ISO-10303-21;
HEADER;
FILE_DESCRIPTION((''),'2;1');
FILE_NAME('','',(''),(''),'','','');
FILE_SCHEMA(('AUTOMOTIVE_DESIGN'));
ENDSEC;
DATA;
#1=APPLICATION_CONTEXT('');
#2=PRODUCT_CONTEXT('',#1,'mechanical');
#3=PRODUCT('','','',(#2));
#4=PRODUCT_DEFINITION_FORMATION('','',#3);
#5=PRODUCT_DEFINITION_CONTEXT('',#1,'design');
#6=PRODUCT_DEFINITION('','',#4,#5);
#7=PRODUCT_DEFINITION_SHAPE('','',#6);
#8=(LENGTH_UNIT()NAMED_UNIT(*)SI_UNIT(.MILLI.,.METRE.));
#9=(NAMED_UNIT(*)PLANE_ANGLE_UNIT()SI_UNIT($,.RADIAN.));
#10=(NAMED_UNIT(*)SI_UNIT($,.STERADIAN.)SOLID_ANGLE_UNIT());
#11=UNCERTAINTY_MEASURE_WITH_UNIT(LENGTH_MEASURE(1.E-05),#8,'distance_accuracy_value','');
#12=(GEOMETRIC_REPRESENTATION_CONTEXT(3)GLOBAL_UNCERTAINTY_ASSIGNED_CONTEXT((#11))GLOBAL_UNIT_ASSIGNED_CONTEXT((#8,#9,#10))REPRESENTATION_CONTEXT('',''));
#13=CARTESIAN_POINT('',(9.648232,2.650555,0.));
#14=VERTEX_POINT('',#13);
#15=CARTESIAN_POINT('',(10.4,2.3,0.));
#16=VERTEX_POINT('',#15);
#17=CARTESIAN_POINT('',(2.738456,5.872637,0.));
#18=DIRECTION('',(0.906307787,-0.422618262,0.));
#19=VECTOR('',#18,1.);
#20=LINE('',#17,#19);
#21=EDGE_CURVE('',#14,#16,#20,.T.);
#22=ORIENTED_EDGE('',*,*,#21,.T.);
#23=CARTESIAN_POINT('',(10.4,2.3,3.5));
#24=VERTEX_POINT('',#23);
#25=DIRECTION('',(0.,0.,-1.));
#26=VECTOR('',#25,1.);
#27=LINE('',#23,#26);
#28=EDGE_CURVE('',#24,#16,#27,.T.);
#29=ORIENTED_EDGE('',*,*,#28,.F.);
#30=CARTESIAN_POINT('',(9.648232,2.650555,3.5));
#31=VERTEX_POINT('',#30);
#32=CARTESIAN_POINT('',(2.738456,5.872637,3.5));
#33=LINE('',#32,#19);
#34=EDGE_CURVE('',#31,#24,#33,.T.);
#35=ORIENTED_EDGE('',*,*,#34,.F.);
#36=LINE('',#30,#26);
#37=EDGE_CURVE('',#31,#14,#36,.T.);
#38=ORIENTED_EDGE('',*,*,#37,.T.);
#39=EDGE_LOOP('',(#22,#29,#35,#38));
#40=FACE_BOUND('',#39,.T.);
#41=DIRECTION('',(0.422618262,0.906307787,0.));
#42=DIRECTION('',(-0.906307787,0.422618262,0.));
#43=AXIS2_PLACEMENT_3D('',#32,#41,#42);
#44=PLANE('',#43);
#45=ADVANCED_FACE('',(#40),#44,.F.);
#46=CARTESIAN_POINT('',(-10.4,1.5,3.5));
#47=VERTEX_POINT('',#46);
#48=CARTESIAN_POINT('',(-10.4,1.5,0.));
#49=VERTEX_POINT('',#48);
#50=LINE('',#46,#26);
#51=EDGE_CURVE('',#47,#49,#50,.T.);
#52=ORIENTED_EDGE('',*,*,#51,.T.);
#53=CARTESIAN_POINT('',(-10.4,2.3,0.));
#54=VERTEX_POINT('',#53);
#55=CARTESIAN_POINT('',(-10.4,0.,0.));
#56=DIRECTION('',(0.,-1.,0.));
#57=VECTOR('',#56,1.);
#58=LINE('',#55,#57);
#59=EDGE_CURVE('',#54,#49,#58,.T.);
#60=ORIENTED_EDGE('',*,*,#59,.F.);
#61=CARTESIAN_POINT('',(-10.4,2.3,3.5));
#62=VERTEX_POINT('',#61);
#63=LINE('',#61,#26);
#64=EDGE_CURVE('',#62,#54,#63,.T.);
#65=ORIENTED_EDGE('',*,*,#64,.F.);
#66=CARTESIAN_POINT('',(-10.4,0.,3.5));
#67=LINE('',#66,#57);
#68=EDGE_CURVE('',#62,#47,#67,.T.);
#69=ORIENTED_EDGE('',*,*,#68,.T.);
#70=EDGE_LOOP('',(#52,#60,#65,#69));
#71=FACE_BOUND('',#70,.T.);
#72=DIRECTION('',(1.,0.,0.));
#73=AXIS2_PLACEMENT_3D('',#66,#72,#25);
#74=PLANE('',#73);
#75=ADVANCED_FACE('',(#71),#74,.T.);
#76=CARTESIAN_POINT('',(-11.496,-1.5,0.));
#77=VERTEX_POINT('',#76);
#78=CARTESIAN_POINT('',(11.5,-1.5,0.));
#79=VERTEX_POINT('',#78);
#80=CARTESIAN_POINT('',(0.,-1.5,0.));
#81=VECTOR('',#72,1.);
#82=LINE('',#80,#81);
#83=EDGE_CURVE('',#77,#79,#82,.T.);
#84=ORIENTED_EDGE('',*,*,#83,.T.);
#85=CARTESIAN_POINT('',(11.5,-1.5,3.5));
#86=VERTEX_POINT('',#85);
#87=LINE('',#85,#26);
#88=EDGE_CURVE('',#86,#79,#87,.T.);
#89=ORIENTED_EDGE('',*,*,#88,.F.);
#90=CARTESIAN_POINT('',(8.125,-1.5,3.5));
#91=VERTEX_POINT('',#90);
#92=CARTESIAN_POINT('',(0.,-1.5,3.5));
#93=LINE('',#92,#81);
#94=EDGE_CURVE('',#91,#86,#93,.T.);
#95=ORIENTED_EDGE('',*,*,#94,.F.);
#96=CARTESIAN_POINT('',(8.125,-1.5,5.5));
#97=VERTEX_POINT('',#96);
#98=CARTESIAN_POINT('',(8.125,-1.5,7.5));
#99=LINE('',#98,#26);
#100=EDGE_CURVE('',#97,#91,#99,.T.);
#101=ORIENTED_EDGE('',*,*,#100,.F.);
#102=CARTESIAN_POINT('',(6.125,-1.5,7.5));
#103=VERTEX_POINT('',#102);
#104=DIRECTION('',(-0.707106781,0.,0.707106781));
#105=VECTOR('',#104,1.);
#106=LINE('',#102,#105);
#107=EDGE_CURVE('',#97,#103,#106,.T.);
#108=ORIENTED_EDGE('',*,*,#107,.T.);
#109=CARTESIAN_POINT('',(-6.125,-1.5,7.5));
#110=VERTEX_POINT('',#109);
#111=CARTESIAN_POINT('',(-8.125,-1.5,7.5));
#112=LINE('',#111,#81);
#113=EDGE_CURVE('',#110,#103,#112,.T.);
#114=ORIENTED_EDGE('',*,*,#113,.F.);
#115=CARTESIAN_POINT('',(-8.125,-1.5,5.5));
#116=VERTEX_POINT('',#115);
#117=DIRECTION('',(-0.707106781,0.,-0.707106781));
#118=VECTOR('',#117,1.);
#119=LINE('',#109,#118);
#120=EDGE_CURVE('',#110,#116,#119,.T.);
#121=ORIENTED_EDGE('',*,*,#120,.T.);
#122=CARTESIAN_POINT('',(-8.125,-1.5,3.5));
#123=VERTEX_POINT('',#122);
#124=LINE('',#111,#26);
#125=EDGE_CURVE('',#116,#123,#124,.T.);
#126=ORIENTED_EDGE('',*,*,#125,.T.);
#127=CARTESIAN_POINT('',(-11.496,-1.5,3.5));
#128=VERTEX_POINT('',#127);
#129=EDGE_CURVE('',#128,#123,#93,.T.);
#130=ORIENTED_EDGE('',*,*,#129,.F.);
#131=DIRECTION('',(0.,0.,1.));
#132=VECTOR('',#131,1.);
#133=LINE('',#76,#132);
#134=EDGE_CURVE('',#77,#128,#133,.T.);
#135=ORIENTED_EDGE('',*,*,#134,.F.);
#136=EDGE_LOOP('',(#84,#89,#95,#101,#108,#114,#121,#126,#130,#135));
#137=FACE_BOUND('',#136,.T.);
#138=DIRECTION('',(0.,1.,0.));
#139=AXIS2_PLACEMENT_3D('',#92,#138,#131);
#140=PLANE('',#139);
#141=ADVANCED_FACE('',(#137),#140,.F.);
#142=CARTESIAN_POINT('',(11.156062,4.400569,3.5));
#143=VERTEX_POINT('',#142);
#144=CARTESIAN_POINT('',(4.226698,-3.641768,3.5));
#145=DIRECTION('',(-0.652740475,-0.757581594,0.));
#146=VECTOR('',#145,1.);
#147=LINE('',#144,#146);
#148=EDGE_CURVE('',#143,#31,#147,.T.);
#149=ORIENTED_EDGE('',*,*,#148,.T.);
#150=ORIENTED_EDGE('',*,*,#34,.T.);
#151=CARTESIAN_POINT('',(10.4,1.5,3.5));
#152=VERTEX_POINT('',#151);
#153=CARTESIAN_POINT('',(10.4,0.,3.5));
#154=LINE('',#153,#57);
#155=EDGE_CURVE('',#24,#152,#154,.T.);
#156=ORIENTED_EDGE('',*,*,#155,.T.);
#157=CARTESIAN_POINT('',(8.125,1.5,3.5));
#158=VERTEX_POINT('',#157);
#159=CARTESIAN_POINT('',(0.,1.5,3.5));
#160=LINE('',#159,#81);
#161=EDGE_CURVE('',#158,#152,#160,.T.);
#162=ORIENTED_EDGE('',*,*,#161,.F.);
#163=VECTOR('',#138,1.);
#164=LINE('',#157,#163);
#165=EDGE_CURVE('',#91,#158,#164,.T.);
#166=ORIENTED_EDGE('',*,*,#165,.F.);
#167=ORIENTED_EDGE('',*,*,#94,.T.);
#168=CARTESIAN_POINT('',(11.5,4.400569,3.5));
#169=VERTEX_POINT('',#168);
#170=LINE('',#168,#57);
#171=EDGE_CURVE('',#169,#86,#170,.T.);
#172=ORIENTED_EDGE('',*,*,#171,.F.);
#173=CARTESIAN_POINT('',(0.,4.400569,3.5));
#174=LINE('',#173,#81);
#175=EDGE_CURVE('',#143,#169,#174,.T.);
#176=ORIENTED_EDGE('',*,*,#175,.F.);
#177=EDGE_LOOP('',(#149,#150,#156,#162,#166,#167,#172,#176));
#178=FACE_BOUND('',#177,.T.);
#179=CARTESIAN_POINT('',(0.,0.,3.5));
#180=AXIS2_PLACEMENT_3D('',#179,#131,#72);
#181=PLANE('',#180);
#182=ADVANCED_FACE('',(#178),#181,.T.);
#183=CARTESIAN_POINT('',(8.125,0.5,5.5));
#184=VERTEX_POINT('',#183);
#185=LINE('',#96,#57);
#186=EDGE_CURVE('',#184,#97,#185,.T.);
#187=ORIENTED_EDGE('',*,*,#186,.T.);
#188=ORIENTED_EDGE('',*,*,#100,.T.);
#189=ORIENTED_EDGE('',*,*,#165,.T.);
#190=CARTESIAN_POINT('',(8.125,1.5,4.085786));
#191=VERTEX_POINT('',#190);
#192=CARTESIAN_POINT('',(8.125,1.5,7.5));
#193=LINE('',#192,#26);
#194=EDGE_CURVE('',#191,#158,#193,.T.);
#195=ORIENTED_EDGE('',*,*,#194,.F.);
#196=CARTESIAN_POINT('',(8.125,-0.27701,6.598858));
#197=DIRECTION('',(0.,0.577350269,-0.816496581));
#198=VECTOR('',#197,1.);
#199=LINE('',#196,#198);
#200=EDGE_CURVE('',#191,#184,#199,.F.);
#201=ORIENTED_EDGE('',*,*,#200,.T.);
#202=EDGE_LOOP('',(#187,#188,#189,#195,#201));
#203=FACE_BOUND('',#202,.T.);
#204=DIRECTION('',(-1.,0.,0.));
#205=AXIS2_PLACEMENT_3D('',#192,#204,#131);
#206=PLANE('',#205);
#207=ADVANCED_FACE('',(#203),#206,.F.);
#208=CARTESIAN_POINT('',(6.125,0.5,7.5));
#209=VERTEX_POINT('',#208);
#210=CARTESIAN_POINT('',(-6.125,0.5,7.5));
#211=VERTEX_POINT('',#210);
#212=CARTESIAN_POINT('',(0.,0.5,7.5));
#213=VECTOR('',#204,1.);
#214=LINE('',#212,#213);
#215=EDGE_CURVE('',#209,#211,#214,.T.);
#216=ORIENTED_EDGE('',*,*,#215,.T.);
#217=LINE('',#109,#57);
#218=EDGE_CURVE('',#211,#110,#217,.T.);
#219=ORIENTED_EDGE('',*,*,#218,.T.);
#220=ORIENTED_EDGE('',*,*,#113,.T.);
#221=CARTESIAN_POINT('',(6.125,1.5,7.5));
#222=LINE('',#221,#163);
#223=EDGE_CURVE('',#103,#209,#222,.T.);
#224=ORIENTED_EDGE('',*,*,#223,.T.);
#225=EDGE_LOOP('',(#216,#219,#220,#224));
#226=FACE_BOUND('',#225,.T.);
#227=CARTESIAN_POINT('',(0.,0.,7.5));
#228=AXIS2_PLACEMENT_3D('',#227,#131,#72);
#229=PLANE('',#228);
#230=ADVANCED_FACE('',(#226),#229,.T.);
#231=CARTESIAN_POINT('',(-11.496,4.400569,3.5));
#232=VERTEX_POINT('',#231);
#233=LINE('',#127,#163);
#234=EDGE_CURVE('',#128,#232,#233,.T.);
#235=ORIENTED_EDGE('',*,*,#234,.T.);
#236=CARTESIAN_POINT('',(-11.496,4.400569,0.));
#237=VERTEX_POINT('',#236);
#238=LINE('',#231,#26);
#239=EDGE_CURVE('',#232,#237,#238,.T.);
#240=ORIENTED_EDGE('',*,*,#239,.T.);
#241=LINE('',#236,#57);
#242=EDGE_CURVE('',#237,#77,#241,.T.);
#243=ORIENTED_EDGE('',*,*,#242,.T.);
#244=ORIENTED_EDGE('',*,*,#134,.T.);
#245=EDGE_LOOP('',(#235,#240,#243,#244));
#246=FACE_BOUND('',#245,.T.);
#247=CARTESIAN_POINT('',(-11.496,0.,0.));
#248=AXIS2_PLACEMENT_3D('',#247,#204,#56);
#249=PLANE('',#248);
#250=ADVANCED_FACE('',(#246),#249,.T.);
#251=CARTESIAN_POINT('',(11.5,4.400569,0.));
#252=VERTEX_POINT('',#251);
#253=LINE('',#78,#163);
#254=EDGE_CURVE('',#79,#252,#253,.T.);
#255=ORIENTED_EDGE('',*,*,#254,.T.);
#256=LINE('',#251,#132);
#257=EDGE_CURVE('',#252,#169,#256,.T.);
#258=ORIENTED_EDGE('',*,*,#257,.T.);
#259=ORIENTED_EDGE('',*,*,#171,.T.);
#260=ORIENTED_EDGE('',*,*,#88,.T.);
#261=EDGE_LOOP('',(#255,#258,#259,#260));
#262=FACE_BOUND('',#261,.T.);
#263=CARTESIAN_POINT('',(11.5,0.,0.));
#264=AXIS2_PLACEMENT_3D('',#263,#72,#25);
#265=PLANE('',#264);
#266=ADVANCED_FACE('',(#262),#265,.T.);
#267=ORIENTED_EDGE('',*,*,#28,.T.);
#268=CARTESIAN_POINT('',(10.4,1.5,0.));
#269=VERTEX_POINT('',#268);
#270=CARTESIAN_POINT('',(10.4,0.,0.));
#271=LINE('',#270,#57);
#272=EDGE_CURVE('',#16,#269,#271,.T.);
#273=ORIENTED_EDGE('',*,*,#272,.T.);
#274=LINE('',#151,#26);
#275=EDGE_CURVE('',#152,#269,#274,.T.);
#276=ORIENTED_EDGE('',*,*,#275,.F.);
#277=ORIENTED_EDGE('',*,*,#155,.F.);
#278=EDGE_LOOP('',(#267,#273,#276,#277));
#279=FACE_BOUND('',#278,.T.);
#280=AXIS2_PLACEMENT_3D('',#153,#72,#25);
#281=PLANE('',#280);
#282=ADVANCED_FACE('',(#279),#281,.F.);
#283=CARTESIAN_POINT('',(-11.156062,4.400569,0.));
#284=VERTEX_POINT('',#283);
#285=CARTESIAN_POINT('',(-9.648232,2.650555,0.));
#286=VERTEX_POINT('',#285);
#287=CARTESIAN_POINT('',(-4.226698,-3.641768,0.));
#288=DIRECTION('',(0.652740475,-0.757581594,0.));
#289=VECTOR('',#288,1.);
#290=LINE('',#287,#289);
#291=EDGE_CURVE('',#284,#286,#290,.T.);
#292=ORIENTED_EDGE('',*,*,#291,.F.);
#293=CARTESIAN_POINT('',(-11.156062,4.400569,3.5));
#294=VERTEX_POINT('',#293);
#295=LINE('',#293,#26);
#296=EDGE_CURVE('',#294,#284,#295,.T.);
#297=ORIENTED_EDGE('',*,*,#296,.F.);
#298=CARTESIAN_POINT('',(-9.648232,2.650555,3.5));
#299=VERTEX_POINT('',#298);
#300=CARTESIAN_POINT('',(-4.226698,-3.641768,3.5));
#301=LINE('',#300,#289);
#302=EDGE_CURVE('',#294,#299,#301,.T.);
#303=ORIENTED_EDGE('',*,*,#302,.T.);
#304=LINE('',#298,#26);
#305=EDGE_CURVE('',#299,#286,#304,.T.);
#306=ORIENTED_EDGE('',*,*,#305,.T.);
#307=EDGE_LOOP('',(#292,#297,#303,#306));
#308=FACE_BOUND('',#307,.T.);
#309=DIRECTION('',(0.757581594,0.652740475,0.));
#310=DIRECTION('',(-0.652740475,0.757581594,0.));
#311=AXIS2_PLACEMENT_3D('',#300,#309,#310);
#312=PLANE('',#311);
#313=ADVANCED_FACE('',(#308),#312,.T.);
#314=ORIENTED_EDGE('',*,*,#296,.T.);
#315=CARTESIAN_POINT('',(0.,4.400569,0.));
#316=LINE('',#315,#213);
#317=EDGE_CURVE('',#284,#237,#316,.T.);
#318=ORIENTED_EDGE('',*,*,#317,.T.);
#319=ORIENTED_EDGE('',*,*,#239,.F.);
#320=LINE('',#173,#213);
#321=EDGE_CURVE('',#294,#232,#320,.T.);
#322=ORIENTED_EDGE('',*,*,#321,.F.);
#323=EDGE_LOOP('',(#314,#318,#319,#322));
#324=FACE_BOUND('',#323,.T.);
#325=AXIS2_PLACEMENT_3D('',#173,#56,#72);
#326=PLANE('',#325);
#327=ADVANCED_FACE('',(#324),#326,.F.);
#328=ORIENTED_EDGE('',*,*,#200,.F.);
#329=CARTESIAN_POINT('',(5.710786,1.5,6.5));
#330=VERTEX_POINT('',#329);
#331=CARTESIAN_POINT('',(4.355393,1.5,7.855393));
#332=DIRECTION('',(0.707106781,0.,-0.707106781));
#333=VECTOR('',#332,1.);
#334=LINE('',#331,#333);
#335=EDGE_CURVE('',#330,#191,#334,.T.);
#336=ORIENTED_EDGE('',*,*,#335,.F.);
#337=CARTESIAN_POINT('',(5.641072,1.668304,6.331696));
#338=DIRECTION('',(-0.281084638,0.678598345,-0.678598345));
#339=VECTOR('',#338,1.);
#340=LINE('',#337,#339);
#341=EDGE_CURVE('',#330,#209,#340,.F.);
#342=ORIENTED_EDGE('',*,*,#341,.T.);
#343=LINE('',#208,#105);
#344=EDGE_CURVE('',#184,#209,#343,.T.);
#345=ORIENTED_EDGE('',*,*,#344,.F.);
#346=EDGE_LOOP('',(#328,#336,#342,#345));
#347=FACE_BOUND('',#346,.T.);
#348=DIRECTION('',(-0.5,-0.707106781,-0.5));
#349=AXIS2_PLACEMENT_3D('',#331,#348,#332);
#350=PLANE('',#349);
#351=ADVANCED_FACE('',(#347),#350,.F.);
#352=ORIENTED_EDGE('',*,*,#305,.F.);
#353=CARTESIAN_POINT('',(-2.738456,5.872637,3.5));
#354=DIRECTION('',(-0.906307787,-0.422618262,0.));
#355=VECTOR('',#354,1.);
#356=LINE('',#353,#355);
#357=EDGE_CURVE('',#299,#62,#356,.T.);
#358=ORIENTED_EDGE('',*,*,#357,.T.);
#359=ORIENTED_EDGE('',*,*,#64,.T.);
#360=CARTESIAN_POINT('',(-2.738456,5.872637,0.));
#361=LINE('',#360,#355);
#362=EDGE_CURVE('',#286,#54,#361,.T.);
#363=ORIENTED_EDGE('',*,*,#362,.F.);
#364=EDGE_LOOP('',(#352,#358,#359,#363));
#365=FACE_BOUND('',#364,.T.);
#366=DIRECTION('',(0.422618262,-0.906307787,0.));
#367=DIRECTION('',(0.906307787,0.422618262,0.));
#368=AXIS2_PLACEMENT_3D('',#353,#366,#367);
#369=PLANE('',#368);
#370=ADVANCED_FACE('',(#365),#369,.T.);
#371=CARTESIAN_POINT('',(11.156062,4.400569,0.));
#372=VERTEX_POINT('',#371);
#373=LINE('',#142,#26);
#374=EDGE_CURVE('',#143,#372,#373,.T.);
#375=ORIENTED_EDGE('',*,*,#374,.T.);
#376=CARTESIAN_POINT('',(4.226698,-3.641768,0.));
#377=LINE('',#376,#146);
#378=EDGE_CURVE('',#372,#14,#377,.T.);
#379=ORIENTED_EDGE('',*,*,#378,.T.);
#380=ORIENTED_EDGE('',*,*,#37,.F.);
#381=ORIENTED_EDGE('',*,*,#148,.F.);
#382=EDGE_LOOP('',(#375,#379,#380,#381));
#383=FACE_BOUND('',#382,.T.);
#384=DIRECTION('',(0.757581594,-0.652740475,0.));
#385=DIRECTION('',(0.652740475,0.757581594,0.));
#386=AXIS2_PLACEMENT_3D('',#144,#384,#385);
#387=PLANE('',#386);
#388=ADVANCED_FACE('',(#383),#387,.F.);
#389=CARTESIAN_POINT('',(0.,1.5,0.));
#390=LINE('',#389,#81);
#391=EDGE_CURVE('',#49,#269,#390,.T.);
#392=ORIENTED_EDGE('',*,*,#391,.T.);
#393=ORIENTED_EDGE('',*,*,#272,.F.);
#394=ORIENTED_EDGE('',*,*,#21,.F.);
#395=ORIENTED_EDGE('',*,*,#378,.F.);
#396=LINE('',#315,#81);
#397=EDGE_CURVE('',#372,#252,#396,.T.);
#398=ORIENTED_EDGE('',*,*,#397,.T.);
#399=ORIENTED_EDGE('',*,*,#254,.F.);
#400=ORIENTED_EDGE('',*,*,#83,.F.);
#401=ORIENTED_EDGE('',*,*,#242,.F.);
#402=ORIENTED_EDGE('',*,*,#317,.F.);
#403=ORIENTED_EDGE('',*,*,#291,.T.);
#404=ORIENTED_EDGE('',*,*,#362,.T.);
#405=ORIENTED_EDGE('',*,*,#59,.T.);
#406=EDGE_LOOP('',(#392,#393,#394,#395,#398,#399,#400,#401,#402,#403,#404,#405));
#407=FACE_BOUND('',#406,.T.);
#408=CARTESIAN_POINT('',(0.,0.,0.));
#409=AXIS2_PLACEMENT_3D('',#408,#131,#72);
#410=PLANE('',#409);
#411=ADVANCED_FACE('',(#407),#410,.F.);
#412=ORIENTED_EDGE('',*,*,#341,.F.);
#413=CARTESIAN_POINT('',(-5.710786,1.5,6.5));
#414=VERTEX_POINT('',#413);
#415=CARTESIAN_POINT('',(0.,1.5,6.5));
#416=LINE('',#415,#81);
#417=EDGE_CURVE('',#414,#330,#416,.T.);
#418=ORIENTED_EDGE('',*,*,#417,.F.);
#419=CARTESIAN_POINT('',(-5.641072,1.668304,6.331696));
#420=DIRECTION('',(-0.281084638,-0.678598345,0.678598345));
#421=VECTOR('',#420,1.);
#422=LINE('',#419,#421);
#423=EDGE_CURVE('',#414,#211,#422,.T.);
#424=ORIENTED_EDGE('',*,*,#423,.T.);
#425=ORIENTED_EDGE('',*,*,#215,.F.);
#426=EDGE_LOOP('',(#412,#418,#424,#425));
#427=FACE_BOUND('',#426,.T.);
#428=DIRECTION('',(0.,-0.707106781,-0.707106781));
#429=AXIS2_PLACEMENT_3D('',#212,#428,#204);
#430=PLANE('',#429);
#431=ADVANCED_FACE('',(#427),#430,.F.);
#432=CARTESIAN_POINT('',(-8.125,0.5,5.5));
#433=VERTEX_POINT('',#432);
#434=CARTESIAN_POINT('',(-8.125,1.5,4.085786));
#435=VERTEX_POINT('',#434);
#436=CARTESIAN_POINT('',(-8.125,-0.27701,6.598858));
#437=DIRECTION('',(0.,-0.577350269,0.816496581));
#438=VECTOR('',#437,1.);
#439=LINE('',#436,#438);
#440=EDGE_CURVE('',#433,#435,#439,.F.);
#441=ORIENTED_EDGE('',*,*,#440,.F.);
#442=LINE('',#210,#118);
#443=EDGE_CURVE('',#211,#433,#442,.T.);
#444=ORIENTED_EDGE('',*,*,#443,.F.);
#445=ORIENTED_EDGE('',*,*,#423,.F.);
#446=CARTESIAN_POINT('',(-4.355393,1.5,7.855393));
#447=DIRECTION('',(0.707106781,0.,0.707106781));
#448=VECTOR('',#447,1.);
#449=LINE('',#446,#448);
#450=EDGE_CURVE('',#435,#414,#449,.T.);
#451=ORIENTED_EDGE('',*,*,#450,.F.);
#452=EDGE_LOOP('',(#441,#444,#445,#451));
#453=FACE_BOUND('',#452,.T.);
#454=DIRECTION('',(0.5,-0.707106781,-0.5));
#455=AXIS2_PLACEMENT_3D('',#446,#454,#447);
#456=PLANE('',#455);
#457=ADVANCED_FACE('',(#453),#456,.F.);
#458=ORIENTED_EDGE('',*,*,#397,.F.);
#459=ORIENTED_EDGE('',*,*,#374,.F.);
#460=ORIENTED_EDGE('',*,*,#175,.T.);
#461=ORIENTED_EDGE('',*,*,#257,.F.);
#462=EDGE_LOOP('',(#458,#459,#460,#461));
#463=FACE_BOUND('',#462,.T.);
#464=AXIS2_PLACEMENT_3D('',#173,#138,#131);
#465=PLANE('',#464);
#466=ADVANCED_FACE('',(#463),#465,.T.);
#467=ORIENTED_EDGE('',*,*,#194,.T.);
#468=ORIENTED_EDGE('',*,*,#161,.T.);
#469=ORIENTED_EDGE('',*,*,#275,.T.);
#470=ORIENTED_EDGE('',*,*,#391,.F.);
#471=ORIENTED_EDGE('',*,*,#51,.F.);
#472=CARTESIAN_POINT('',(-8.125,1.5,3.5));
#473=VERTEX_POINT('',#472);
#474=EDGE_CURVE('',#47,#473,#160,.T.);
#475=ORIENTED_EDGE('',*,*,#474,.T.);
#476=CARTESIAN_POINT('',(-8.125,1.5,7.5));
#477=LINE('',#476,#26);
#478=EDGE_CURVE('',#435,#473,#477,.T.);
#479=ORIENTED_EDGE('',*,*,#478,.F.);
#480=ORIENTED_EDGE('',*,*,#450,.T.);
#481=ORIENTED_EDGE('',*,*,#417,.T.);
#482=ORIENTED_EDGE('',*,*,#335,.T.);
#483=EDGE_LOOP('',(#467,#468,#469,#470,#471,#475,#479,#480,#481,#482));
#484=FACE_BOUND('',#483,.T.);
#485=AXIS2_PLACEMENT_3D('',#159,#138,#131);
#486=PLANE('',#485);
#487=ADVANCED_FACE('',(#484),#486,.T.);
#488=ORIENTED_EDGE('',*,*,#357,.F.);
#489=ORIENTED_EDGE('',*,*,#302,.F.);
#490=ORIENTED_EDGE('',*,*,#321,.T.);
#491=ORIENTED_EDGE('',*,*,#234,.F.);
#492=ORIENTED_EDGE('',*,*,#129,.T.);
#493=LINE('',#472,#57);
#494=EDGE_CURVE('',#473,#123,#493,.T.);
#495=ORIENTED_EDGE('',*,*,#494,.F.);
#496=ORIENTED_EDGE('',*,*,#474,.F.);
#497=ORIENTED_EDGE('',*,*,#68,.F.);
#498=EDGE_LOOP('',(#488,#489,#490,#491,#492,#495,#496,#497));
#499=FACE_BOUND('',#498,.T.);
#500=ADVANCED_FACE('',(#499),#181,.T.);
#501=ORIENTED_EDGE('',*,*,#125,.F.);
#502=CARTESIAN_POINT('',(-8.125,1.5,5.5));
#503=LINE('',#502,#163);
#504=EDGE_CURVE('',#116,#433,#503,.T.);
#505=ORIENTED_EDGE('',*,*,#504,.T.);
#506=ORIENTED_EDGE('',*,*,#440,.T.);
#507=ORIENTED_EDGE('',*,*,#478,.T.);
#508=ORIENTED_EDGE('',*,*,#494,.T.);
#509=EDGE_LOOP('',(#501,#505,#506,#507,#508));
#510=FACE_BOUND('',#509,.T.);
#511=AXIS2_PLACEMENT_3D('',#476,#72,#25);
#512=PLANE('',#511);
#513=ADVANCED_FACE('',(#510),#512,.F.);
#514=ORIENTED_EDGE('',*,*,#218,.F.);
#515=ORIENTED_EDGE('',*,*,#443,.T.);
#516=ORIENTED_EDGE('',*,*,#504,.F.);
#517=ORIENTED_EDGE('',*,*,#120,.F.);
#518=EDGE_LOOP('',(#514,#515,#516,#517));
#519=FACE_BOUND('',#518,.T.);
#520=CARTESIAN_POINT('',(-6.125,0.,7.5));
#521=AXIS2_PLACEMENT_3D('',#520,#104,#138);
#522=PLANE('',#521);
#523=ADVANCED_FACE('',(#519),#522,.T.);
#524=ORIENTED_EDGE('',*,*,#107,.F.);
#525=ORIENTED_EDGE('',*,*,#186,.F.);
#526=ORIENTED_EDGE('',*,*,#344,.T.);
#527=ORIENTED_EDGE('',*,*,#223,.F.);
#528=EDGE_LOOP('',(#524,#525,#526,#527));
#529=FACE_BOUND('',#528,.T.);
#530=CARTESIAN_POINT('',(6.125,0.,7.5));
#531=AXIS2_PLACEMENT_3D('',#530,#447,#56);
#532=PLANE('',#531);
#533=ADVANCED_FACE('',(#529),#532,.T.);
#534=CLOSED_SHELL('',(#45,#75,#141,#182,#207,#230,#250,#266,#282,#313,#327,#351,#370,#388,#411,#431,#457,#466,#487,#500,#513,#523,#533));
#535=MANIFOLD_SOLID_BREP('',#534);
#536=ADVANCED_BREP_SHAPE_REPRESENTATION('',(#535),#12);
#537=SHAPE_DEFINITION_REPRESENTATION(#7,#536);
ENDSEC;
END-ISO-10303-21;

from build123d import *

# Parameters (mm, degrees)
RESSALTO_EXTRUS_O1_DEPTH = 3.5
ESBO_O3_W                = 3.5
ESBO_O3_H                = 5.900568868
CORTE_EXTRUS_O1_DEPTH    = 0.5
ESBO_O4_W                = 3.5
ESBO_O4_H                = 5.900568868
CORTE_EXTRUS_O2_DEPTH    = 0.5
ESBO_O5_W                = 16.25
ESBO_O5_H                = 3
RESSALTO_EXTRUS_O2_DEPTH = 4
CHANFRO1_SIZE            = 2
CHANFRO4_SIZE            = 1


with BuildPart() as part:
    # Esboço2 → Ressalto-extrusão1 (new body)
    with BuildSketch(Plane.XY):
        Polygon((12, 4.400568868), (11.156062048, 4.400568868), (9.648231551, 2.650555385), (10.4, 2.3), (10.4, 1.5), (-10.4, 1.5), (-10.4, 2.3), (-9.648231551, 2.650555385), (-11.156062048, 4.400568868), (-11.996, 4.400568868), (-11.996, -1.5), (12, -1.5), align=None)
    extrude(amount=RESSALTO_EXTRUS_O1_DEPTH)

    # Esboço3 → Corte-extrusão1 (cut)
    with BuildSketch(Plane(origin=(12, 0, 0), x_dir=(0, 0, -1), z_dir=(1, 0, 0))):
        with Locations((-1.75, 1.450284434)):
            Rectangle(ESBO_O3_W, ESBO_O3_H)
    extrude(amount=-CORTE_EXTRUS_O1_DEPTH, mode=Mode.SUBTRACT)

    # Esboço4 → Corte-extrusão2 (cut)
    with BuildSketch(Plane.ZY.offset(11.996)):
        with Locations((1.75, 1.450284434)):
            Rectangle(ESBO_O4_W, ESBO_O4_H)
    extrude(amount=-CORTE_EXTRUS_O2_DEPTH, mode=Mode.SUBTRACT)

    # Esboço5 → Ressalto-extrusão2 (add)
    with BuildSketch(Plane.XY.offset(3.5)):
        Rectangle(ESBO_O5_W, ESBO_O5_H)
    extrude(amount=RESSALTO_EXTRUS_O2_DEPTH)

    # Chanfro1
    chanfro1_edges = [part.edges().sort_by_distance(p)[0] for p in [
        (8.125, 0, 7.5),
        (-8.125, 0, 7.5),
    ]]
    chamfer(chanfro1_edges, length=CHANFRO1_SIZE)

    # Chanfro4
    chanfro4_edges = [part.edges().sort_by_distance(p)[0] for p in [
        (0, 1.5, 7.5),
        (7.125, 1.5, 6.5),
        (-7.125, 1.5, 6.5),
    ]]
    chamfer(chanfro4_edges, length=CHANFRO4_SIZE)


solid = part.part
